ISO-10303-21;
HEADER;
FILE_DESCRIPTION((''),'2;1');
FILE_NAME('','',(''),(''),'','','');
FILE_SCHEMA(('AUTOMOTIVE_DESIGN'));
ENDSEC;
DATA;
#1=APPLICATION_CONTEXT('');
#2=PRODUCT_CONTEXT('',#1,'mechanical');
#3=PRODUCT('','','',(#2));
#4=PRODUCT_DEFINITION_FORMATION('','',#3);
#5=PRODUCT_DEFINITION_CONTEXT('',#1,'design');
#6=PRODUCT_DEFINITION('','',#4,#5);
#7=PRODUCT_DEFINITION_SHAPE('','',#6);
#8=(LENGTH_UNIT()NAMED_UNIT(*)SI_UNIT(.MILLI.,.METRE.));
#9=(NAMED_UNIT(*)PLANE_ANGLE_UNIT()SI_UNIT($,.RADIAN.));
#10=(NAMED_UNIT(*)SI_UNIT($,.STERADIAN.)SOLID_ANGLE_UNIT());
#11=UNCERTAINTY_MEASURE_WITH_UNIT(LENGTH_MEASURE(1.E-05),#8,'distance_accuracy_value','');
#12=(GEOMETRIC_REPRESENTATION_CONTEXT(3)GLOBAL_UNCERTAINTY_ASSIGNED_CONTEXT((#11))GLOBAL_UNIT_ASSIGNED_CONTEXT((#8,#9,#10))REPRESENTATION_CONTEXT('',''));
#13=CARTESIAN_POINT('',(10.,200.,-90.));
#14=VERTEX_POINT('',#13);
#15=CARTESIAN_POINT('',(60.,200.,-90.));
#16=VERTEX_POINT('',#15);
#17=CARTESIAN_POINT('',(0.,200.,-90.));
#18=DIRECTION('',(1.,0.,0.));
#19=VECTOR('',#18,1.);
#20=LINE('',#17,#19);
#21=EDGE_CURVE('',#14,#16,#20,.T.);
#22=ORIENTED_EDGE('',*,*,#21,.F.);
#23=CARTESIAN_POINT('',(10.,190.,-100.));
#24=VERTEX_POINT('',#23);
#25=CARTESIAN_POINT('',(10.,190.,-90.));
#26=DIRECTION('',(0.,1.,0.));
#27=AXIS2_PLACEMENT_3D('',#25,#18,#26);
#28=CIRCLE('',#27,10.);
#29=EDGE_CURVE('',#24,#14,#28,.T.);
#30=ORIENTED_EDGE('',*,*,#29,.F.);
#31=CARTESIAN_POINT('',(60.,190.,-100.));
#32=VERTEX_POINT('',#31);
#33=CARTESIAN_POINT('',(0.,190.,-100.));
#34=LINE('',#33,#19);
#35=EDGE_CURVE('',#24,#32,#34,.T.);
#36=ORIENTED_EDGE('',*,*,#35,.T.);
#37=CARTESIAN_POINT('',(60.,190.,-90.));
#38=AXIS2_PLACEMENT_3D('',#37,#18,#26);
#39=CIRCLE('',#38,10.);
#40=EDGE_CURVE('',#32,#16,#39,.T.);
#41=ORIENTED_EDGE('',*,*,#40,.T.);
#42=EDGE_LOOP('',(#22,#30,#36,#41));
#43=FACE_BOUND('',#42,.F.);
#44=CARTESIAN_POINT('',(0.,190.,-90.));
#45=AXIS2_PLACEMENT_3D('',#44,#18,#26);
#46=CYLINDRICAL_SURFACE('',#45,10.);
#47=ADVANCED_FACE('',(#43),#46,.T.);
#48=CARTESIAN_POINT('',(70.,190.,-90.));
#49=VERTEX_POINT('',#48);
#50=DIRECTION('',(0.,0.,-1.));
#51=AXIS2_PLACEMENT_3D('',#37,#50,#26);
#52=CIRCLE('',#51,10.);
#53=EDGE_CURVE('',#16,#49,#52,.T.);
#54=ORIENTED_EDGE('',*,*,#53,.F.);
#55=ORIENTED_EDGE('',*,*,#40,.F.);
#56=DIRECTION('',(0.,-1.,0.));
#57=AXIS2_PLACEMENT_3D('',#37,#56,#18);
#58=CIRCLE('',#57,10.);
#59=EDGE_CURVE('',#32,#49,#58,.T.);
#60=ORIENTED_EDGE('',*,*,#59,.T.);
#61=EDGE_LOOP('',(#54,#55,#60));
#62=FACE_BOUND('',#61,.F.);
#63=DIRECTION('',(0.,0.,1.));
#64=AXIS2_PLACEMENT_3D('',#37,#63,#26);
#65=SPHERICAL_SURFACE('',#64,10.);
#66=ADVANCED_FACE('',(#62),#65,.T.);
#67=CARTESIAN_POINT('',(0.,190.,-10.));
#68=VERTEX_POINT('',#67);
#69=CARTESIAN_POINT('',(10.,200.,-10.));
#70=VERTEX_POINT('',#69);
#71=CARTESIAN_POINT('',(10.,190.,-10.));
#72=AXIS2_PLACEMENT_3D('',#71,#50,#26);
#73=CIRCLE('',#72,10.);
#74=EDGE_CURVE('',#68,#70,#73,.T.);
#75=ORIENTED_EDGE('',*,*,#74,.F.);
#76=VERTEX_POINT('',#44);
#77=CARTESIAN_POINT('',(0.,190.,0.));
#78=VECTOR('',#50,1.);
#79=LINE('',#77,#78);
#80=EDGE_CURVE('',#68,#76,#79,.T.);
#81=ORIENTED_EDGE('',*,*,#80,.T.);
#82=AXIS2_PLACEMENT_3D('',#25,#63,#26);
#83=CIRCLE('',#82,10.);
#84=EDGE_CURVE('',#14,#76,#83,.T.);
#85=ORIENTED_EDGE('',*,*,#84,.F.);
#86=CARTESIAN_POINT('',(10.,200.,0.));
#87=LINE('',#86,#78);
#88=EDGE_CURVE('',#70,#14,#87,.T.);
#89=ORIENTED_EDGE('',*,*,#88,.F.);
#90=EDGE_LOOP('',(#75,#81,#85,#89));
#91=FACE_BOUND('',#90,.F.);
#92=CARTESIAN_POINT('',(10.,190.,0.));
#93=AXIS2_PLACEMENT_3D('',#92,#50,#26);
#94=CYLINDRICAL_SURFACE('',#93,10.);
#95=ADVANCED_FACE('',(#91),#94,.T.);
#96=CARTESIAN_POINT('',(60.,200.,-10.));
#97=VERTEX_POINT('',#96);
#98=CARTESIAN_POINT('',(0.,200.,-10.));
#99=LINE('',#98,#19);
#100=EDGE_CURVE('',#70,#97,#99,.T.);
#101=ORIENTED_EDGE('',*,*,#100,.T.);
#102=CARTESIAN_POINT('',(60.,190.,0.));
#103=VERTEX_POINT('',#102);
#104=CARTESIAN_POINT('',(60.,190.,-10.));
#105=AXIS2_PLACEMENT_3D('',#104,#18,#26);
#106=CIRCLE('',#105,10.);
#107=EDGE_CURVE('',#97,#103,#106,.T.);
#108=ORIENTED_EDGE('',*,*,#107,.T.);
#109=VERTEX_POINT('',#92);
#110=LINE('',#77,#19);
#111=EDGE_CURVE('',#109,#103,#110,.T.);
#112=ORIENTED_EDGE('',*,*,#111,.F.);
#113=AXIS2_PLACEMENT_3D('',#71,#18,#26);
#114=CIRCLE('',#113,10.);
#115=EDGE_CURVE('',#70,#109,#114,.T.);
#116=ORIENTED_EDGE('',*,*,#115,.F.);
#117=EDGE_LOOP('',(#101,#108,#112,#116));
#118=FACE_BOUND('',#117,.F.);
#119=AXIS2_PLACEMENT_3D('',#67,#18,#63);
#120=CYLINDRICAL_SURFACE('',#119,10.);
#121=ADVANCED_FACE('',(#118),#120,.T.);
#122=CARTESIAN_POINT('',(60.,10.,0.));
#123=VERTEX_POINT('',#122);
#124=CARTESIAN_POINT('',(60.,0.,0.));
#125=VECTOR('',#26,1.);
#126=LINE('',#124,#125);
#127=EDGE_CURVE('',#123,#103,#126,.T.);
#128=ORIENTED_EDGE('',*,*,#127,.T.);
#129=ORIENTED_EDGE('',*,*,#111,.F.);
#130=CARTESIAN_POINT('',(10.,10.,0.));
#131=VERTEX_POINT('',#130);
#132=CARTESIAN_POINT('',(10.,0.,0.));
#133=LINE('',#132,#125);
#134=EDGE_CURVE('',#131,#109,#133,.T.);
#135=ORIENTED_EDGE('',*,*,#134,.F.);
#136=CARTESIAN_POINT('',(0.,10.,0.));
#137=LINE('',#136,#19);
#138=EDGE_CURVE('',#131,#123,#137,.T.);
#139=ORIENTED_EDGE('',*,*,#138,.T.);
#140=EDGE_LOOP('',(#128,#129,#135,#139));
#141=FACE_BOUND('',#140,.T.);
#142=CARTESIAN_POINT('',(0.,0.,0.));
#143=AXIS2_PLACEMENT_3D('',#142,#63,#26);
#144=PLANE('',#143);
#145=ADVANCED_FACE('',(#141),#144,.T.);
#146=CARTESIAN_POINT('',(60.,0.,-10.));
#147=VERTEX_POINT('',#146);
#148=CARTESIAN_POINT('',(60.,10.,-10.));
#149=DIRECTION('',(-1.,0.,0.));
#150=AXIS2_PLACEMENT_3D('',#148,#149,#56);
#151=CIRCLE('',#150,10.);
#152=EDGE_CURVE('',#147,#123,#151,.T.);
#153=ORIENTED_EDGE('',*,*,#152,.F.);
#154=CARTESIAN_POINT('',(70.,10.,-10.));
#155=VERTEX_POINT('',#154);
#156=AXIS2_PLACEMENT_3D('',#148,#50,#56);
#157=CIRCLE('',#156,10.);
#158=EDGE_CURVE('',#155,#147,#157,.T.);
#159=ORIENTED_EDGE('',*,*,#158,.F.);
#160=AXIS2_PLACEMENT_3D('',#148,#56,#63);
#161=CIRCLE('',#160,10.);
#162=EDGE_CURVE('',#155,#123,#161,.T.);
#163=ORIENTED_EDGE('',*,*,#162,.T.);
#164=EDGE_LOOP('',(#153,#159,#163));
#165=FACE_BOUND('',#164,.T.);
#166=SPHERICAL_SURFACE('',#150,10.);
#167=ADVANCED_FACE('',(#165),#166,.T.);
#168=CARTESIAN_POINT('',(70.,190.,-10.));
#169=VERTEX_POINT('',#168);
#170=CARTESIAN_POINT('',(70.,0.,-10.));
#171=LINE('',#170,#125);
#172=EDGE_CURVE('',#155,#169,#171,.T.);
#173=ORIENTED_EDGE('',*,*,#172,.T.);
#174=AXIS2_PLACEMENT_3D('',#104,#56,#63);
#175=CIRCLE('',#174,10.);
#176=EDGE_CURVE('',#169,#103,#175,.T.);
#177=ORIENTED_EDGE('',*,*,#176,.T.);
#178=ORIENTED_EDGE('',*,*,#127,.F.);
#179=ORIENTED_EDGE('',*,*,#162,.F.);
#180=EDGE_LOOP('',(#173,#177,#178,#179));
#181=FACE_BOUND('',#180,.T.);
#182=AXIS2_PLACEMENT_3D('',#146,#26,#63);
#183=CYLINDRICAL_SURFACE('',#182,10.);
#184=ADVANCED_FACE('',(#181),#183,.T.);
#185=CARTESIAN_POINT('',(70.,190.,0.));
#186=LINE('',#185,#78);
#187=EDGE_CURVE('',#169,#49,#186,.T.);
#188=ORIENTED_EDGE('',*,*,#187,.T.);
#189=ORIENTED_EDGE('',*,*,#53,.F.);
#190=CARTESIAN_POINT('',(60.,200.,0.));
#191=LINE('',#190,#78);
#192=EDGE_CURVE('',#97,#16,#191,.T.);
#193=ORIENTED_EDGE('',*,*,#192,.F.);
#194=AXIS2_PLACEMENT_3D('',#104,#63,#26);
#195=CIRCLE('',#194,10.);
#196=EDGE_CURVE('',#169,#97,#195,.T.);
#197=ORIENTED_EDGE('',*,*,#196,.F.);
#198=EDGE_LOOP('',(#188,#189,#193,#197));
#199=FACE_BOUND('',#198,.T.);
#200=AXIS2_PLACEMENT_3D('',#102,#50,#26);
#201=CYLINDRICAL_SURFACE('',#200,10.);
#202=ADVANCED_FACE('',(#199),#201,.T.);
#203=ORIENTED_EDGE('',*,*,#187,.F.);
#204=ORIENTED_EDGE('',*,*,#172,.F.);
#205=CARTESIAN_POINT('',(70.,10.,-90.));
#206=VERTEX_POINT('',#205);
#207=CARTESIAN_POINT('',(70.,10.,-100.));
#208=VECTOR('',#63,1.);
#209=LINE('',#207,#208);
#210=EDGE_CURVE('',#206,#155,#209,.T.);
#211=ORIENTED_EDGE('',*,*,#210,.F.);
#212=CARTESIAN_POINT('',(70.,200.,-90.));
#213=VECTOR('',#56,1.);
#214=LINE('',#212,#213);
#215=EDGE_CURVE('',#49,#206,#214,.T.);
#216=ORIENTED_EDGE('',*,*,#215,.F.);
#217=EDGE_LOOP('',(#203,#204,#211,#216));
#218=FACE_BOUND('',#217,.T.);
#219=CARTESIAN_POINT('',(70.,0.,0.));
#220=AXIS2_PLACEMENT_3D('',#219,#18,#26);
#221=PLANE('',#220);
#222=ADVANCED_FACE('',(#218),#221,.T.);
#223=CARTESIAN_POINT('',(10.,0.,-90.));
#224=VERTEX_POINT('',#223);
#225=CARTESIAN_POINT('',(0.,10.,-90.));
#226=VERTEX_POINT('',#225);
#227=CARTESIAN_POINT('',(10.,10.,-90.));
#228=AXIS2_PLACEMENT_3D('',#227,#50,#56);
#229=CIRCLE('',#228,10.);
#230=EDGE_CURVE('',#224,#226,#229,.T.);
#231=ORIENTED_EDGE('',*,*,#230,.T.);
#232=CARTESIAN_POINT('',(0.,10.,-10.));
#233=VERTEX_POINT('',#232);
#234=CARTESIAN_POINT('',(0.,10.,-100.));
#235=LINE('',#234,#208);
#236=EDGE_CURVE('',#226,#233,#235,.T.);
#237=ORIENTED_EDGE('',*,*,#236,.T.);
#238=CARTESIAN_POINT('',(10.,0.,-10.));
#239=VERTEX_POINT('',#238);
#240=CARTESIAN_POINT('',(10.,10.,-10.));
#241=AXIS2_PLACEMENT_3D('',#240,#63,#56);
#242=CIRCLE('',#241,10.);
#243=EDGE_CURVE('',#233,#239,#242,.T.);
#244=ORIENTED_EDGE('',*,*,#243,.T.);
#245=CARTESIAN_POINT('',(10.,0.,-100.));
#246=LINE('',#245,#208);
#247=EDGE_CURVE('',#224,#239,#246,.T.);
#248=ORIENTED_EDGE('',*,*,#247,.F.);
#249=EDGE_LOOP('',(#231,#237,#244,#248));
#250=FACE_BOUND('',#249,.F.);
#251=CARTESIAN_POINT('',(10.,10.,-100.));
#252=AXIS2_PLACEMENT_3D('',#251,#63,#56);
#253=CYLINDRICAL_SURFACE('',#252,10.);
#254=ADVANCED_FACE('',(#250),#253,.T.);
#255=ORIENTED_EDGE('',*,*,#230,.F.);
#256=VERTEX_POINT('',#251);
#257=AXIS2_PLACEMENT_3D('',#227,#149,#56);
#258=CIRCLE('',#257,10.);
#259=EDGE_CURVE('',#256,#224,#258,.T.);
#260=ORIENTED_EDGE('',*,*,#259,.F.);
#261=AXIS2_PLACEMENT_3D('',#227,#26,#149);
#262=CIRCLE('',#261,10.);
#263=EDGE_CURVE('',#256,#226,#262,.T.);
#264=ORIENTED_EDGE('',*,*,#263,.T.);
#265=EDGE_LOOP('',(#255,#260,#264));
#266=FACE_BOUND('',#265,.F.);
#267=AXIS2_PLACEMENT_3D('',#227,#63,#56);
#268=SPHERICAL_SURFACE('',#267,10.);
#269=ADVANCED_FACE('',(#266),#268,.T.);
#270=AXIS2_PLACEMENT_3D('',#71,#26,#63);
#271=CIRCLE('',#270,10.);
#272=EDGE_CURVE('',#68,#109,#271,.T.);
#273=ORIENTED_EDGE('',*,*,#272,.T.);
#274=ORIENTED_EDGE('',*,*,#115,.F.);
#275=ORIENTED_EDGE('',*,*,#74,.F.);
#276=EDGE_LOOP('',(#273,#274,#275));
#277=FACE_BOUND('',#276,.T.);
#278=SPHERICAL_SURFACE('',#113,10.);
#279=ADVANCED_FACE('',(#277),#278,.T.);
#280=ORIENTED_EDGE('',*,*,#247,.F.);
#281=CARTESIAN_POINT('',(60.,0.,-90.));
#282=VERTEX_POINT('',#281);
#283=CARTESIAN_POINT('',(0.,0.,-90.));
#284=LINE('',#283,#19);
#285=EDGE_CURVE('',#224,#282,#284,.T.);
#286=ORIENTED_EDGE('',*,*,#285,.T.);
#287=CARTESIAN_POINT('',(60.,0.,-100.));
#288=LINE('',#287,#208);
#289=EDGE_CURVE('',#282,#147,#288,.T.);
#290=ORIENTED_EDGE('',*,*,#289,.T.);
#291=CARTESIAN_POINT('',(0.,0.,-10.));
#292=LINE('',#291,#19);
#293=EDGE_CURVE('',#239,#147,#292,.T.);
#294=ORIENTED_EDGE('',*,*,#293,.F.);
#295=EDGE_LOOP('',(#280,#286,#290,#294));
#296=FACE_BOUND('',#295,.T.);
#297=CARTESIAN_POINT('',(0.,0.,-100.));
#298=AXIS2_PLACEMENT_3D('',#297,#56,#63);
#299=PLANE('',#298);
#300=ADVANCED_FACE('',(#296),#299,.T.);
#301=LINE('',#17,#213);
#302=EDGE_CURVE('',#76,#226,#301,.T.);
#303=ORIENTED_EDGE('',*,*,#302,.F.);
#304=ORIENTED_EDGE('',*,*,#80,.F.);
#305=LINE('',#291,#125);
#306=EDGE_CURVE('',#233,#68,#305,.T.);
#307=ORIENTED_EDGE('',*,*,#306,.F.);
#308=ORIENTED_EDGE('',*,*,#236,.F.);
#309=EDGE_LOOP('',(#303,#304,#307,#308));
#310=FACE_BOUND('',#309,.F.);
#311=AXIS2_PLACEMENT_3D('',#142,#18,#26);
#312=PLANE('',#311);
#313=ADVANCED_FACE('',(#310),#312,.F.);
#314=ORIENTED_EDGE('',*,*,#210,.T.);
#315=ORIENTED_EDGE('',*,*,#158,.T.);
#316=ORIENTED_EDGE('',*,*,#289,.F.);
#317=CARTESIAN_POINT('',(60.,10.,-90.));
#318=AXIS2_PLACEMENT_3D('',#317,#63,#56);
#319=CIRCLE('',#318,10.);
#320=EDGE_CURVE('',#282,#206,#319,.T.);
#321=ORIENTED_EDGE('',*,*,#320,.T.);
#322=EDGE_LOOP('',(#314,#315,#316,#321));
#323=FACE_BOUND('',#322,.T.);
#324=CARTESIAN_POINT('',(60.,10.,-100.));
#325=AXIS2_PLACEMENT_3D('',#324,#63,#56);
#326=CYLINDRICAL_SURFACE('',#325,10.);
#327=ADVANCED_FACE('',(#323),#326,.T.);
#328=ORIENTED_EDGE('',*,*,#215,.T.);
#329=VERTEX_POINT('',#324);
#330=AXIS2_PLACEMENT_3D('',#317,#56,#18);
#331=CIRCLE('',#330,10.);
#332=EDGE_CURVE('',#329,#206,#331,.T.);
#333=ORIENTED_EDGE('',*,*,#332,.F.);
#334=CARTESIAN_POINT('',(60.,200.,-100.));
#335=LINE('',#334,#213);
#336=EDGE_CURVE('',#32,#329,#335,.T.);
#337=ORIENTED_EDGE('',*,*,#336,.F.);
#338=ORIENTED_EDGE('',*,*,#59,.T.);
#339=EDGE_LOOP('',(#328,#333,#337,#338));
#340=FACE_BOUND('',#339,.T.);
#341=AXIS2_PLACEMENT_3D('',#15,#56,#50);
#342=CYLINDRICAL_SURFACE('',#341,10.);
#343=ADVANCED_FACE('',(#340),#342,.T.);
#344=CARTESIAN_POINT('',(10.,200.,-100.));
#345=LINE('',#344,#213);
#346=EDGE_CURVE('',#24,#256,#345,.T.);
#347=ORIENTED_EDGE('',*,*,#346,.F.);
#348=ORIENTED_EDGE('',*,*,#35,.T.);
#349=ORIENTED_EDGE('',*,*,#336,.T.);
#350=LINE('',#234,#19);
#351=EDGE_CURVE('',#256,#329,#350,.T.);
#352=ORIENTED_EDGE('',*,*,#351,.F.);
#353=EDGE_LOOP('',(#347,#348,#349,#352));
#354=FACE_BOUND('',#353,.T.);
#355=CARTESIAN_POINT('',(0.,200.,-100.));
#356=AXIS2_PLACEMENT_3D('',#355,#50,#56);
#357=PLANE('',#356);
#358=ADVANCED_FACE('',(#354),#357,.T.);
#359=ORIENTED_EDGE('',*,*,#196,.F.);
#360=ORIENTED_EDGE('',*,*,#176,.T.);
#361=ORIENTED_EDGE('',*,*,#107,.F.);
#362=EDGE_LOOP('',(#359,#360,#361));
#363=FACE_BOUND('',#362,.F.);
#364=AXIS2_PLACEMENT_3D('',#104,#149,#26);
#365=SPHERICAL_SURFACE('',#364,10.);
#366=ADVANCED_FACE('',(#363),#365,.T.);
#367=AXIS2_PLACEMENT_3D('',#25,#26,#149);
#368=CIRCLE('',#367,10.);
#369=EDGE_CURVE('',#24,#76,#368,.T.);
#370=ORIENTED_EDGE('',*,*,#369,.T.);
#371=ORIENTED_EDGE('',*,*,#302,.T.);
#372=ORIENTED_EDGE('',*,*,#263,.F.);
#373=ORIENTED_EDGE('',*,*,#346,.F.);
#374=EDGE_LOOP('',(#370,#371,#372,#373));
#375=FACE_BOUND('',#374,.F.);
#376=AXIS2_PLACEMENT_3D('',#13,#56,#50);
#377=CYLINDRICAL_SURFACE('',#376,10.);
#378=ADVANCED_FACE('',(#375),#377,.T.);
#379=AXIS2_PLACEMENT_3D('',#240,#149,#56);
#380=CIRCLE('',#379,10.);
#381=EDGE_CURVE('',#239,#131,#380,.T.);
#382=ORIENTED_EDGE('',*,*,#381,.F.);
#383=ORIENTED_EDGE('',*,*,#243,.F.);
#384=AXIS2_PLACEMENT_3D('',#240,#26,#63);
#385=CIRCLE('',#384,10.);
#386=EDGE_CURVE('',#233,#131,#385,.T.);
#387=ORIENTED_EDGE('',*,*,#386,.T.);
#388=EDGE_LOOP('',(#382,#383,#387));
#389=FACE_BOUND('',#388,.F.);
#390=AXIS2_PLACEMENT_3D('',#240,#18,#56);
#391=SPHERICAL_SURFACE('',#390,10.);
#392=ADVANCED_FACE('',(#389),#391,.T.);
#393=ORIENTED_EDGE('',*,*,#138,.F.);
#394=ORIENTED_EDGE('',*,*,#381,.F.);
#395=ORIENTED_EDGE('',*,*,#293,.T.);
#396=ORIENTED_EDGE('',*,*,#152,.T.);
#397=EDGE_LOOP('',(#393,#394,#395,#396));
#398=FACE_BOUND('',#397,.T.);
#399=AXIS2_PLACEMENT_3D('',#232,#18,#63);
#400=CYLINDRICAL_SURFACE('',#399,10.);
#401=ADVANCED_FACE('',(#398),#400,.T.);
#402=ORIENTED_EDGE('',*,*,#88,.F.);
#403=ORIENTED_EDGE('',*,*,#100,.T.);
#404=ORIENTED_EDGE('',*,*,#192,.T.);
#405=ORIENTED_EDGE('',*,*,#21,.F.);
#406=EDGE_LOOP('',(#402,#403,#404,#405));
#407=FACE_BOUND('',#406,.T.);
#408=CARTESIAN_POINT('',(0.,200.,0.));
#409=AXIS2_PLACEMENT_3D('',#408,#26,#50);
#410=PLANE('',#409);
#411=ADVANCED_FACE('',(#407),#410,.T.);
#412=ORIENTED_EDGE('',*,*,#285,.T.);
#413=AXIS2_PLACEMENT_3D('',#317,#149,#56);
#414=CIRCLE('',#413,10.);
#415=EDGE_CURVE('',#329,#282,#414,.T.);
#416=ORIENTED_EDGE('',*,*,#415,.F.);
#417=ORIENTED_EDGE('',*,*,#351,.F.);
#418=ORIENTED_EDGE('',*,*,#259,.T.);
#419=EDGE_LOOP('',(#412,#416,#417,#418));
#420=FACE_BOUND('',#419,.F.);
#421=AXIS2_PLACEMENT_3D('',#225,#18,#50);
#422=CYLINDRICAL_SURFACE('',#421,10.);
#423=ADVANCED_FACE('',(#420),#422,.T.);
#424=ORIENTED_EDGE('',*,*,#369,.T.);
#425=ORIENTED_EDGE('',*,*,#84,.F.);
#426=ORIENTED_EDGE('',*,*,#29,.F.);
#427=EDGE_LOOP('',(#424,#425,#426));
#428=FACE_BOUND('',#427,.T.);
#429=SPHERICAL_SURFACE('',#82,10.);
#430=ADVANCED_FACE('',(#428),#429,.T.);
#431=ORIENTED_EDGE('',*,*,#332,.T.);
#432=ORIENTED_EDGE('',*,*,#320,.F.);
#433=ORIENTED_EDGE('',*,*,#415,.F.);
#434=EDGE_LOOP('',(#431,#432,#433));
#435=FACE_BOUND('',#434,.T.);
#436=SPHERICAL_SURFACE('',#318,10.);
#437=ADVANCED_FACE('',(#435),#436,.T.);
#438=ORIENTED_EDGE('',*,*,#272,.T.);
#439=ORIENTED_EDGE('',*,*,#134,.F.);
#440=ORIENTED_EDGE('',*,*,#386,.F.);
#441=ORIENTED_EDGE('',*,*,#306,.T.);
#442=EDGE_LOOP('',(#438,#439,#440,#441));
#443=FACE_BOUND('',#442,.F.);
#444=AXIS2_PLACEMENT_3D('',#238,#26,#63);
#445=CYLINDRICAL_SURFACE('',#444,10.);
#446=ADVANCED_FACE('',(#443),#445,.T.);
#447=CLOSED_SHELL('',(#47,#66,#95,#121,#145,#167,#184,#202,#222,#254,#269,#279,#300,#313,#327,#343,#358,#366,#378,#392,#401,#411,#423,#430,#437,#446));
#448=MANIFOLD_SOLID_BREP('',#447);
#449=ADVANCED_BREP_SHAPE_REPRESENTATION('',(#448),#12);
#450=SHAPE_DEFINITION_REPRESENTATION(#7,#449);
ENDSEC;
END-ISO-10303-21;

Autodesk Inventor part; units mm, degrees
ref_plane "YZ Plane" through (0, 0, 0) normal (1, 0, 0) x (0, 1, 0)
ref_plane "XZ Plane" through (0, 0, 0) normal (0, 1, 0) x (-1, 0, 0)
ref_plane "XY Plane" through (0, 0, 0) normal (0, 0, 1) x (1, 0, 0)
sketch "Esboço1" plane through (0, 0, 0) normal (1, 0, 0) x (0, 1, 0)
  line L0 (0, 0) -> (200, 0)
  line L1 (200, 0) -> (200, -100)
  line L2 (200, -100) -> (0, -100)
  line L3 (0, -100) -> (0, 0)
  dimension "d0" = 200
  dimension "d1" = 100
extrude "Extrusão1" add sketch "Esboço1" along normal blind 70
fillet "Arredondamento1" radius 10 12 edges at (35, 200, 0) (70, 200, -50) (0, 200, -50) (35, 200, -100) (35, 0, 0) (70, 0, -50) (0, 0, -50) (35, 0, -100) (70, 100, 0) (0, 100, 0) (70, 100, -100) (0, 100, -100)
properties part number "battery"
